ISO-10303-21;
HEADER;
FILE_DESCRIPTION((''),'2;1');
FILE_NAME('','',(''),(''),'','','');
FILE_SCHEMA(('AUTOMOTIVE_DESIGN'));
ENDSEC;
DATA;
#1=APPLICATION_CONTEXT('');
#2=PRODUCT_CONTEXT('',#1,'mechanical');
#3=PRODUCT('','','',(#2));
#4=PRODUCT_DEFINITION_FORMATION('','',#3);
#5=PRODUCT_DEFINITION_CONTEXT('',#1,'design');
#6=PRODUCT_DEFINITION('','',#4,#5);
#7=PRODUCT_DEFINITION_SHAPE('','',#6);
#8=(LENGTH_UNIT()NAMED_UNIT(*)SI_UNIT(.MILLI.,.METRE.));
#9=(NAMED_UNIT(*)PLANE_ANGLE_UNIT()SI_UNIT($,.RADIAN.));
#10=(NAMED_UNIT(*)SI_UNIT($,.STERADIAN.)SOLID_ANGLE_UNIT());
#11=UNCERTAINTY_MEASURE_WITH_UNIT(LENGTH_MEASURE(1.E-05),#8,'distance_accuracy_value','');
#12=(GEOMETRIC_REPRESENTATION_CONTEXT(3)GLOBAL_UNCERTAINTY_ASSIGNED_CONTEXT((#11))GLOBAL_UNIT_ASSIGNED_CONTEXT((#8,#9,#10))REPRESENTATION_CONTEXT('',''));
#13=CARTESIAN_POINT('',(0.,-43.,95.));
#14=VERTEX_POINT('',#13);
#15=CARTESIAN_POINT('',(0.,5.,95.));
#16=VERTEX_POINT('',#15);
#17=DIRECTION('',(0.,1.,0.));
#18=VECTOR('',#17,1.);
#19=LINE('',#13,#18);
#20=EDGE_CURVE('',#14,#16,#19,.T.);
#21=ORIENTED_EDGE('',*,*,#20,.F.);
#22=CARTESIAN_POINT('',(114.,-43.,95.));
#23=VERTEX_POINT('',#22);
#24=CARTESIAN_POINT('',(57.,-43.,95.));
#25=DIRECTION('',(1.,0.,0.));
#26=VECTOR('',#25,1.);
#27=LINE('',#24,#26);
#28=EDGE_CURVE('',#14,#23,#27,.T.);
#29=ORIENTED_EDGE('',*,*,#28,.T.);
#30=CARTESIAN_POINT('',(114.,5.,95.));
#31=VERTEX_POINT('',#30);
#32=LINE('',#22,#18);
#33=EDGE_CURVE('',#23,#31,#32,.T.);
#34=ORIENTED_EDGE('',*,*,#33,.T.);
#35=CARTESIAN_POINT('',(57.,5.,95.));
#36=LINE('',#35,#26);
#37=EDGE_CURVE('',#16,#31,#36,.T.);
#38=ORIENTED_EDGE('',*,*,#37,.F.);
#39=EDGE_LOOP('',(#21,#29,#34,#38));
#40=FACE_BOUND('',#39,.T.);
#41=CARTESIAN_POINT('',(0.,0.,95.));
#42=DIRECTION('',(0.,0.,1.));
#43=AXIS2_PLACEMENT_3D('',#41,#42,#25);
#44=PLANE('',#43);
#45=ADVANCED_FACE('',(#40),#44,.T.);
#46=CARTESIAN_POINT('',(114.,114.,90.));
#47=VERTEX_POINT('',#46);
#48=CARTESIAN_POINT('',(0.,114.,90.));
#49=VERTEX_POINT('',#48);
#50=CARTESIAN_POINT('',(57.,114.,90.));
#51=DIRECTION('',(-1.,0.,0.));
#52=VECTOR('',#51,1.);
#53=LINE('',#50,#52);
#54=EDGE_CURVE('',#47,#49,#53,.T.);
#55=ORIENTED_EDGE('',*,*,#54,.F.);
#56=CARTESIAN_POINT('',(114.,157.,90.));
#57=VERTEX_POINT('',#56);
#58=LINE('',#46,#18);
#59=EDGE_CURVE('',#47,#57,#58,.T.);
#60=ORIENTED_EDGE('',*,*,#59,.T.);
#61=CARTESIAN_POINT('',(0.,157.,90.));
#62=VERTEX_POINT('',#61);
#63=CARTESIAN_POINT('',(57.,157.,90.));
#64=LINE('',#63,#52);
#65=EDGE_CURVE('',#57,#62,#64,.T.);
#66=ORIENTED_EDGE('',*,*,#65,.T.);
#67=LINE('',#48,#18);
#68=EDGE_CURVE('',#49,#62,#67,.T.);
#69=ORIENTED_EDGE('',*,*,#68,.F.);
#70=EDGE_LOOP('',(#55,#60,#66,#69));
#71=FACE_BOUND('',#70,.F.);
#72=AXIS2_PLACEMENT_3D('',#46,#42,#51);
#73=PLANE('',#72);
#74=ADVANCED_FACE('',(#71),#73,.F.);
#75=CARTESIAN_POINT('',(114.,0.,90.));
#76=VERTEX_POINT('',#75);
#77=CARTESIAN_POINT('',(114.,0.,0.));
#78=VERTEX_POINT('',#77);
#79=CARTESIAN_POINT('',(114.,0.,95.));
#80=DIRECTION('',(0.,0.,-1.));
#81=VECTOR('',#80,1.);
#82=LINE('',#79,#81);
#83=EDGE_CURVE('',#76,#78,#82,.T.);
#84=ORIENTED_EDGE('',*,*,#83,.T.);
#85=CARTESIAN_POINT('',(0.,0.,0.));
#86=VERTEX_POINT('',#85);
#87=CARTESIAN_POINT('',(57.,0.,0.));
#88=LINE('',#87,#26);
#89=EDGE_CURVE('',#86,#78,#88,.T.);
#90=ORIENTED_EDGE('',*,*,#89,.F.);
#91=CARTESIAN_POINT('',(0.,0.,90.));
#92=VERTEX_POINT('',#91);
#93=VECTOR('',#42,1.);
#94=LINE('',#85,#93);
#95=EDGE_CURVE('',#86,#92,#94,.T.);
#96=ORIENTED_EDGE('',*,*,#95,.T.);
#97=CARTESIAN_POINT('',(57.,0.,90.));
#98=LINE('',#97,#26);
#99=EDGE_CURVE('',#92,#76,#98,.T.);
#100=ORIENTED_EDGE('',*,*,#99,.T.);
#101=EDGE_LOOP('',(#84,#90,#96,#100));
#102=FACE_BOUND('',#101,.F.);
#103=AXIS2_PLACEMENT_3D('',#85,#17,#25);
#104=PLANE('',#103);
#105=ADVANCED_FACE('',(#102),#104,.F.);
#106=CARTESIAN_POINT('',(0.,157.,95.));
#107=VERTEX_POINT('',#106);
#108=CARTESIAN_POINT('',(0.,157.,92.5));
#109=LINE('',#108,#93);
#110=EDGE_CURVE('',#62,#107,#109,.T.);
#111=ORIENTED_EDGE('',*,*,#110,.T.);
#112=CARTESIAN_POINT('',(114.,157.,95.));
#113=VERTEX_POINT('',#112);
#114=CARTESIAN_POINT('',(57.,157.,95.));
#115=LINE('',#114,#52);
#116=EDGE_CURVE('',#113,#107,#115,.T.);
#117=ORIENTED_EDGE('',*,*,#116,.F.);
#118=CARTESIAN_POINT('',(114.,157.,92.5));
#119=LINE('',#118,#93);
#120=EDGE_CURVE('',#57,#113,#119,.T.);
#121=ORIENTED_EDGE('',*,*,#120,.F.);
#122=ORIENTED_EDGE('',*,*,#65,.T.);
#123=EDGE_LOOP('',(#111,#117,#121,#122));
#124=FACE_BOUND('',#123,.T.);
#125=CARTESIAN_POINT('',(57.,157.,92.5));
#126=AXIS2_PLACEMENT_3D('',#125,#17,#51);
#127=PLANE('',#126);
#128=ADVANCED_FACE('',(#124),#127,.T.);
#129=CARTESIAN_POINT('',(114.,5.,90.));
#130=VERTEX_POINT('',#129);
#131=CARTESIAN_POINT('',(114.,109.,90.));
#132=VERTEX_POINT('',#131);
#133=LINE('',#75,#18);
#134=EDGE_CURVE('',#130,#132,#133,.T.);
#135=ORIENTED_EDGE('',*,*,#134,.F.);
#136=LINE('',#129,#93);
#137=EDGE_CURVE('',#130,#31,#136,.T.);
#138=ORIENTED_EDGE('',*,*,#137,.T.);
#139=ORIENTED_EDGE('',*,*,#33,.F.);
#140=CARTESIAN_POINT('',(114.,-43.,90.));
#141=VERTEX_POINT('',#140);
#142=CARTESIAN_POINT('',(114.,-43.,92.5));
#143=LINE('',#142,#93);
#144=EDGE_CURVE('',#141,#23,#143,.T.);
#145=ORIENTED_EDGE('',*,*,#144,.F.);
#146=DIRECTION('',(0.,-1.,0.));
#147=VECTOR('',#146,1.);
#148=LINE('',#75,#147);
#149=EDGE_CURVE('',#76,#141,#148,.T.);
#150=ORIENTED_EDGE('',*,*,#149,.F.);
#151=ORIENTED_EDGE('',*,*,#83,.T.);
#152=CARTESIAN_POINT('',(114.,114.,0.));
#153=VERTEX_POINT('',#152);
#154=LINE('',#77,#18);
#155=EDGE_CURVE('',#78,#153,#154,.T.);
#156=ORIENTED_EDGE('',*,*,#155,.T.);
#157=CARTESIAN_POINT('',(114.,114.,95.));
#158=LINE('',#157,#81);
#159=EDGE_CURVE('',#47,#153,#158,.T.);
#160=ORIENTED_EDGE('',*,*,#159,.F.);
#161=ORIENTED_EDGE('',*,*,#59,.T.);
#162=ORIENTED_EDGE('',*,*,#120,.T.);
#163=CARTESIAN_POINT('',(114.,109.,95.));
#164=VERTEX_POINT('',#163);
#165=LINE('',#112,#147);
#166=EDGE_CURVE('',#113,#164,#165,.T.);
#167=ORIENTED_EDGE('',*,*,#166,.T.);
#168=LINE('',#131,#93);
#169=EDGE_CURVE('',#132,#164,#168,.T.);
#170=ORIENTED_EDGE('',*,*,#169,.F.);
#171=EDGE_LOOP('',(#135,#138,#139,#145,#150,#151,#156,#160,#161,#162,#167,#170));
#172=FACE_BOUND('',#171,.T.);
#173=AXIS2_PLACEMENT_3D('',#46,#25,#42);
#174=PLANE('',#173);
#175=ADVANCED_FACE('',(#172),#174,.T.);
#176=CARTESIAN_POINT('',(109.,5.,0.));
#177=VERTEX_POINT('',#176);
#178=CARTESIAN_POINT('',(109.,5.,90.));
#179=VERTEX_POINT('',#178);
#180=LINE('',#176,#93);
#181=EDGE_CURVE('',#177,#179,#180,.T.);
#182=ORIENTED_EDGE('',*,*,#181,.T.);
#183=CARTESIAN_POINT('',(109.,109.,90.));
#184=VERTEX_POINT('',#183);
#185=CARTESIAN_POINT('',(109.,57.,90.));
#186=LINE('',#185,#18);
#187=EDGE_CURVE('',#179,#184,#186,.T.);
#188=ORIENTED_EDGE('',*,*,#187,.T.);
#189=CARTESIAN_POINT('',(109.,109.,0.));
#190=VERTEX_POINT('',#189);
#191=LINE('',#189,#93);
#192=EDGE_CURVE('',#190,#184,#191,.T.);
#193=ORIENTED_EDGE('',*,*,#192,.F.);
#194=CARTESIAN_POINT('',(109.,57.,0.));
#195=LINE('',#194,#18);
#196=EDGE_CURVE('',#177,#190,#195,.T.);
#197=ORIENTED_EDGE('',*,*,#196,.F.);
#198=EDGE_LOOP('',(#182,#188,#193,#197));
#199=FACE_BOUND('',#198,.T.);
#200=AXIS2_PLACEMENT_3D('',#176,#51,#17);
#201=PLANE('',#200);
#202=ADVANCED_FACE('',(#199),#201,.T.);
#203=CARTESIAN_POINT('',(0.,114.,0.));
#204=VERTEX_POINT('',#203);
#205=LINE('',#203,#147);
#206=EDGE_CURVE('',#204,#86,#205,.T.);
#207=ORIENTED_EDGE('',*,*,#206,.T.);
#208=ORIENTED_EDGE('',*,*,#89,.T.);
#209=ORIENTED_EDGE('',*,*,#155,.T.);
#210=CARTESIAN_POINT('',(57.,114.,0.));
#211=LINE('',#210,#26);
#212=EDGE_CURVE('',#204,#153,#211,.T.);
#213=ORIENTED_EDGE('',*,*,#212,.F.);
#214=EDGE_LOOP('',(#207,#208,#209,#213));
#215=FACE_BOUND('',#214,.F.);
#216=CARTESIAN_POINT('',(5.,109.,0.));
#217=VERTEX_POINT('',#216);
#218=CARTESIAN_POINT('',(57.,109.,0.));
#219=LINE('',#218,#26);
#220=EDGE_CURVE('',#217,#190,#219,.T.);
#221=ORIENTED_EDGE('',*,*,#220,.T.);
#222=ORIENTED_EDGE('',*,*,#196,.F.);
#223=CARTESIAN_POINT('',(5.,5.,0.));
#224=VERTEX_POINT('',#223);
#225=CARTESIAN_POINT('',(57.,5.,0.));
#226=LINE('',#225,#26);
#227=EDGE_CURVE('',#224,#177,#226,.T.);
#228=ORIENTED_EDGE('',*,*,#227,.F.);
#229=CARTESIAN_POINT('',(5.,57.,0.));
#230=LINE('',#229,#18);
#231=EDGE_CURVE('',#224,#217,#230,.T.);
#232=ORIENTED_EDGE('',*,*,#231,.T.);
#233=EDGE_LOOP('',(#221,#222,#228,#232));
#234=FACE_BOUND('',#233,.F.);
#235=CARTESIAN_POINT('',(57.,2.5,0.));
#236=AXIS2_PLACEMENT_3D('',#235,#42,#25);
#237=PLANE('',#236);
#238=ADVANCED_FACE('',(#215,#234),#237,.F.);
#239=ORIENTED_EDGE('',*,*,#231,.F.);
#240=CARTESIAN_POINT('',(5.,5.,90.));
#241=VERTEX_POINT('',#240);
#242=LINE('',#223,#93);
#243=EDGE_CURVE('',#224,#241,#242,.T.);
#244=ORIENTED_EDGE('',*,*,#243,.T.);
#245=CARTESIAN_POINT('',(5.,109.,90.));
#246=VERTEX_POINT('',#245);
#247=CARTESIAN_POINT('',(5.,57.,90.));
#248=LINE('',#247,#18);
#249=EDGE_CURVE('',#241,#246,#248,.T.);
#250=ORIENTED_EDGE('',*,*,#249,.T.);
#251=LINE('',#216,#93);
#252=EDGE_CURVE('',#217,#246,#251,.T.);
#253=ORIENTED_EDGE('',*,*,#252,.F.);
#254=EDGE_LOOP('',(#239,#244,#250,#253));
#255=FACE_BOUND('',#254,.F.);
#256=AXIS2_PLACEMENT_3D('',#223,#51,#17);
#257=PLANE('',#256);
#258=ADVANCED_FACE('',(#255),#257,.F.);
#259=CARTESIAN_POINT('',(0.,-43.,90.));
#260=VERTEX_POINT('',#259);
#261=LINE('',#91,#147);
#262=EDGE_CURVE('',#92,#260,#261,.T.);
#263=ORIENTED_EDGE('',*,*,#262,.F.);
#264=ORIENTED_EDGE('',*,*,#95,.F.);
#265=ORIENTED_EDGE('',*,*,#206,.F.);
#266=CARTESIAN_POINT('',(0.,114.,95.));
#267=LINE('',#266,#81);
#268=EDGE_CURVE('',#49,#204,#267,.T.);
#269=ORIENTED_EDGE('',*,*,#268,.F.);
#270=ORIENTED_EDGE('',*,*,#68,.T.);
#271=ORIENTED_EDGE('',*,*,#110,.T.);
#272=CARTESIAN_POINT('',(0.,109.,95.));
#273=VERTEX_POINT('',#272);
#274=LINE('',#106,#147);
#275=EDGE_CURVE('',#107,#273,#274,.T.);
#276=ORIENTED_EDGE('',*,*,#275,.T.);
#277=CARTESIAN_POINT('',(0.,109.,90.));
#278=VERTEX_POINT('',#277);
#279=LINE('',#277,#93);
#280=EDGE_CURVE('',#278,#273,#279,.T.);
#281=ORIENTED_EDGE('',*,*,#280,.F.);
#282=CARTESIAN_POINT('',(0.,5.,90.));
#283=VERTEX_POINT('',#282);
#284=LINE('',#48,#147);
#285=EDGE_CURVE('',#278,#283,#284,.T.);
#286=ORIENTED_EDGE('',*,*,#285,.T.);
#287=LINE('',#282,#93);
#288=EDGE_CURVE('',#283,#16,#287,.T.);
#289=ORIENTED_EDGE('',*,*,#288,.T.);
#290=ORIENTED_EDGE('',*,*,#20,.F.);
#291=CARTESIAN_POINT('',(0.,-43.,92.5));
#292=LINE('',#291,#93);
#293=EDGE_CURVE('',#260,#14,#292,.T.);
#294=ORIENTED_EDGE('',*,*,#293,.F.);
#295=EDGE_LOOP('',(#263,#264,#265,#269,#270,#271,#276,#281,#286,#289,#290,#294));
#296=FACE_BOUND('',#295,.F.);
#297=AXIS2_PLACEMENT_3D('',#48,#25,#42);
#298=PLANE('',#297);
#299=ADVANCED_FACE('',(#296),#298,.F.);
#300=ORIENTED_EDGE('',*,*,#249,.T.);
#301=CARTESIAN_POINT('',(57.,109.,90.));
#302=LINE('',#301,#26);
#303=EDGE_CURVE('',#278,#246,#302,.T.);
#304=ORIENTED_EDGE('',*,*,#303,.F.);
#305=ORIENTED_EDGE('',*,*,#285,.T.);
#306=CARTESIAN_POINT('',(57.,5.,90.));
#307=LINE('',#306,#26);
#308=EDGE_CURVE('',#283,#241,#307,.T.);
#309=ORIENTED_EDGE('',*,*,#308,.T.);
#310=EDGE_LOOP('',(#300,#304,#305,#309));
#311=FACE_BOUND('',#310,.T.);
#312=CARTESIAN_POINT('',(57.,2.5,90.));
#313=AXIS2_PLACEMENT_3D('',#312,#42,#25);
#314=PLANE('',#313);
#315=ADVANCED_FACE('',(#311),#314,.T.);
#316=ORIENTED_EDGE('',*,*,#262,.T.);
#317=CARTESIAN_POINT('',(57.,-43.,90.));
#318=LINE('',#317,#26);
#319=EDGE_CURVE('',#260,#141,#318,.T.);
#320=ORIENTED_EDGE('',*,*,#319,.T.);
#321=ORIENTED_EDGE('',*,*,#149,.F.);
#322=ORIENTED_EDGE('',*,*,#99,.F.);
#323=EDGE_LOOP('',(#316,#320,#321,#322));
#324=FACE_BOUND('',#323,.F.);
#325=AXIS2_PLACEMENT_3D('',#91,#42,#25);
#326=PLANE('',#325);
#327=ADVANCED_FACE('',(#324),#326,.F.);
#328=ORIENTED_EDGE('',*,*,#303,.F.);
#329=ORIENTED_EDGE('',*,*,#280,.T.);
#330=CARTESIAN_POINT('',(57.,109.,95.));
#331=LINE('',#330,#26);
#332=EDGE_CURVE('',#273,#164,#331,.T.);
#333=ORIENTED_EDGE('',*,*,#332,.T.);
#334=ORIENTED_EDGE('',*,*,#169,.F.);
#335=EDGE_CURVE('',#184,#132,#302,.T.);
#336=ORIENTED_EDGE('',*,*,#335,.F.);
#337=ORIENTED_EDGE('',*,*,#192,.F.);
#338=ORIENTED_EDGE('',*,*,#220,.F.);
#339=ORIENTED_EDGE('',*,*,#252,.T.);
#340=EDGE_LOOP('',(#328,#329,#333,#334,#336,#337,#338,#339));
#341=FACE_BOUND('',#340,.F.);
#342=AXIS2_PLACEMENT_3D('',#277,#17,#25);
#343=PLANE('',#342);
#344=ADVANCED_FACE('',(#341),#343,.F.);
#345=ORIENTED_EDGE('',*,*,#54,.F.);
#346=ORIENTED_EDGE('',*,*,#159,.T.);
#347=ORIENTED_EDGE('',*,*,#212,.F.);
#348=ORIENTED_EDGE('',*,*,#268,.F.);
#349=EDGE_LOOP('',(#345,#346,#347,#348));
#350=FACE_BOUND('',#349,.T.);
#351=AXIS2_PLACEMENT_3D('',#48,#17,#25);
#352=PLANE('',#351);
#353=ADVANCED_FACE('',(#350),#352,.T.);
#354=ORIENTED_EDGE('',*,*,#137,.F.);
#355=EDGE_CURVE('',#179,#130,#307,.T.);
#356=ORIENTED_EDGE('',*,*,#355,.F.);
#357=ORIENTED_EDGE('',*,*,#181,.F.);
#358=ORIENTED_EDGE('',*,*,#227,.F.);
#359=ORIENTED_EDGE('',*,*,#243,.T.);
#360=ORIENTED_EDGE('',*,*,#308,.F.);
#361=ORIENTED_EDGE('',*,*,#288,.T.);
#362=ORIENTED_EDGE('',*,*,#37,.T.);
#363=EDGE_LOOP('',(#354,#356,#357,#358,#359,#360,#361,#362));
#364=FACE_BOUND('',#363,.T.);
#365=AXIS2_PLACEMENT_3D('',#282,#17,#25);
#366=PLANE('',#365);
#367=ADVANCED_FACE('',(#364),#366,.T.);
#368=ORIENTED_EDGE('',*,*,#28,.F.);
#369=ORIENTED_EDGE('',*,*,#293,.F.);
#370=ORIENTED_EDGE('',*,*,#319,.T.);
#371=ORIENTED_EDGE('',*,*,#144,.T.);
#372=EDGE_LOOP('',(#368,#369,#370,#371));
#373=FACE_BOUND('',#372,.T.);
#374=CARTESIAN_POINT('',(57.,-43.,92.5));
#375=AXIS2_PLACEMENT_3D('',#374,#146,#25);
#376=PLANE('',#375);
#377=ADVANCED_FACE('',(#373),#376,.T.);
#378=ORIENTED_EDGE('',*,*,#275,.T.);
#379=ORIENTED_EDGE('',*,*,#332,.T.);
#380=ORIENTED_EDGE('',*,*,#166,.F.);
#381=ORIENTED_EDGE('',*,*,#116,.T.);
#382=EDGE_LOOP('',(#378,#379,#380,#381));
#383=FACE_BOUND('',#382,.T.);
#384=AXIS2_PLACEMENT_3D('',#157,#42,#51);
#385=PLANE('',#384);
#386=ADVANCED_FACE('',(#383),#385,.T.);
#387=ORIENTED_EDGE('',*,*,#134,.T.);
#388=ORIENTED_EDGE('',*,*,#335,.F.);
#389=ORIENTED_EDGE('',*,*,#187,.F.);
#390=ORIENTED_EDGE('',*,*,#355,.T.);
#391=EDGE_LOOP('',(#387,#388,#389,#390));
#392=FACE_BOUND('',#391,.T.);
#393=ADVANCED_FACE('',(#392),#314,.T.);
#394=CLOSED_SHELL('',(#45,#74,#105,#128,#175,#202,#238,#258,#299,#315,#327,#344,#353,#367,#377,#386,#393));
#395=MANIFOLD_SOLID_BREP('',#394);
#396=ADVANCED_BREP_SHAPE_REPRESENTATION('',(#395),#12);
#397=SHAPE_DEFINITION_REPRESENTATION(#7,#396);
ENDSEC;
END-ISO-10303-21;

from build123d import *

# Parameters (mm, degrees)
SKETCH001_W   = 114
SKETCH001_H   = 5
SKETCH001_W_2 = 5
SKETCH001_H_2 = 104
PAD001_DEPTH  = 90
SKETCH_W      = 114
SKETCH_H      = 5
PAD_DEPTH     = 5
SKETCH002_W   = 114
SKETCH002_H   = 5
PAD002_DEPTH  = 43
SKETCH003_W   = 114
SKETCH003_H   = 5
PAD003_DEPTH  = 43


with BuildPart() as part:
    # Sketch001 → Pad001 (new body)
    with BuildSketch(Plane.XY):
        with Locations((57, 2.5)):
            Rectangle(SKETCH001_W, SKETCH001_H)
        with Locations((2.5, 57)):
            Rectangle(SKETCH001_W_2, SKETCH001_H_2)
        with Locations((111.5, 57)):
            Rectangle(SKETCH001_W_2, SKETCH001_H_2)
        with Locations((57, 111.5)):
            Rectangle(SKETCH001_W, SKETCH001_H)
    extrude(amount=PAD001_DEPTH)

    # Sketch → Pad (new body)
    with BuildSketch(Plane.XY.offset(90)):
        with Locations((57, 111.5)):
            Rectangle(SKETCH_W, SKETCH_H)
        with Locations((57, 2.5)):
            Rectangle(SKETCH_W, SKETCH_H)
    extrude(amount=PAD_DEPTH)

    # Sketch002 → Pad002 (new body)
    with BuildSketch(Plane.XZ):
        with Locations((57, 92.5)):
            Rectangle(SKETCH002_W, SKETCH002_H)
    extrude(amount=PAD002_DEPTH)

    # Sketch003 → Pad003 (new body)
    with BuildSketch(Plane(origin=(0, 114, 0), x_dir=(-1, 0, 0), z_dir=(0, 1, 0))):
        with Locations((-57, 92.5)):
            Rectangle(SKETCH003_W, SKETCH003_H)
    extrude(amount=PAD003_DEPTH)


solid = part.part
